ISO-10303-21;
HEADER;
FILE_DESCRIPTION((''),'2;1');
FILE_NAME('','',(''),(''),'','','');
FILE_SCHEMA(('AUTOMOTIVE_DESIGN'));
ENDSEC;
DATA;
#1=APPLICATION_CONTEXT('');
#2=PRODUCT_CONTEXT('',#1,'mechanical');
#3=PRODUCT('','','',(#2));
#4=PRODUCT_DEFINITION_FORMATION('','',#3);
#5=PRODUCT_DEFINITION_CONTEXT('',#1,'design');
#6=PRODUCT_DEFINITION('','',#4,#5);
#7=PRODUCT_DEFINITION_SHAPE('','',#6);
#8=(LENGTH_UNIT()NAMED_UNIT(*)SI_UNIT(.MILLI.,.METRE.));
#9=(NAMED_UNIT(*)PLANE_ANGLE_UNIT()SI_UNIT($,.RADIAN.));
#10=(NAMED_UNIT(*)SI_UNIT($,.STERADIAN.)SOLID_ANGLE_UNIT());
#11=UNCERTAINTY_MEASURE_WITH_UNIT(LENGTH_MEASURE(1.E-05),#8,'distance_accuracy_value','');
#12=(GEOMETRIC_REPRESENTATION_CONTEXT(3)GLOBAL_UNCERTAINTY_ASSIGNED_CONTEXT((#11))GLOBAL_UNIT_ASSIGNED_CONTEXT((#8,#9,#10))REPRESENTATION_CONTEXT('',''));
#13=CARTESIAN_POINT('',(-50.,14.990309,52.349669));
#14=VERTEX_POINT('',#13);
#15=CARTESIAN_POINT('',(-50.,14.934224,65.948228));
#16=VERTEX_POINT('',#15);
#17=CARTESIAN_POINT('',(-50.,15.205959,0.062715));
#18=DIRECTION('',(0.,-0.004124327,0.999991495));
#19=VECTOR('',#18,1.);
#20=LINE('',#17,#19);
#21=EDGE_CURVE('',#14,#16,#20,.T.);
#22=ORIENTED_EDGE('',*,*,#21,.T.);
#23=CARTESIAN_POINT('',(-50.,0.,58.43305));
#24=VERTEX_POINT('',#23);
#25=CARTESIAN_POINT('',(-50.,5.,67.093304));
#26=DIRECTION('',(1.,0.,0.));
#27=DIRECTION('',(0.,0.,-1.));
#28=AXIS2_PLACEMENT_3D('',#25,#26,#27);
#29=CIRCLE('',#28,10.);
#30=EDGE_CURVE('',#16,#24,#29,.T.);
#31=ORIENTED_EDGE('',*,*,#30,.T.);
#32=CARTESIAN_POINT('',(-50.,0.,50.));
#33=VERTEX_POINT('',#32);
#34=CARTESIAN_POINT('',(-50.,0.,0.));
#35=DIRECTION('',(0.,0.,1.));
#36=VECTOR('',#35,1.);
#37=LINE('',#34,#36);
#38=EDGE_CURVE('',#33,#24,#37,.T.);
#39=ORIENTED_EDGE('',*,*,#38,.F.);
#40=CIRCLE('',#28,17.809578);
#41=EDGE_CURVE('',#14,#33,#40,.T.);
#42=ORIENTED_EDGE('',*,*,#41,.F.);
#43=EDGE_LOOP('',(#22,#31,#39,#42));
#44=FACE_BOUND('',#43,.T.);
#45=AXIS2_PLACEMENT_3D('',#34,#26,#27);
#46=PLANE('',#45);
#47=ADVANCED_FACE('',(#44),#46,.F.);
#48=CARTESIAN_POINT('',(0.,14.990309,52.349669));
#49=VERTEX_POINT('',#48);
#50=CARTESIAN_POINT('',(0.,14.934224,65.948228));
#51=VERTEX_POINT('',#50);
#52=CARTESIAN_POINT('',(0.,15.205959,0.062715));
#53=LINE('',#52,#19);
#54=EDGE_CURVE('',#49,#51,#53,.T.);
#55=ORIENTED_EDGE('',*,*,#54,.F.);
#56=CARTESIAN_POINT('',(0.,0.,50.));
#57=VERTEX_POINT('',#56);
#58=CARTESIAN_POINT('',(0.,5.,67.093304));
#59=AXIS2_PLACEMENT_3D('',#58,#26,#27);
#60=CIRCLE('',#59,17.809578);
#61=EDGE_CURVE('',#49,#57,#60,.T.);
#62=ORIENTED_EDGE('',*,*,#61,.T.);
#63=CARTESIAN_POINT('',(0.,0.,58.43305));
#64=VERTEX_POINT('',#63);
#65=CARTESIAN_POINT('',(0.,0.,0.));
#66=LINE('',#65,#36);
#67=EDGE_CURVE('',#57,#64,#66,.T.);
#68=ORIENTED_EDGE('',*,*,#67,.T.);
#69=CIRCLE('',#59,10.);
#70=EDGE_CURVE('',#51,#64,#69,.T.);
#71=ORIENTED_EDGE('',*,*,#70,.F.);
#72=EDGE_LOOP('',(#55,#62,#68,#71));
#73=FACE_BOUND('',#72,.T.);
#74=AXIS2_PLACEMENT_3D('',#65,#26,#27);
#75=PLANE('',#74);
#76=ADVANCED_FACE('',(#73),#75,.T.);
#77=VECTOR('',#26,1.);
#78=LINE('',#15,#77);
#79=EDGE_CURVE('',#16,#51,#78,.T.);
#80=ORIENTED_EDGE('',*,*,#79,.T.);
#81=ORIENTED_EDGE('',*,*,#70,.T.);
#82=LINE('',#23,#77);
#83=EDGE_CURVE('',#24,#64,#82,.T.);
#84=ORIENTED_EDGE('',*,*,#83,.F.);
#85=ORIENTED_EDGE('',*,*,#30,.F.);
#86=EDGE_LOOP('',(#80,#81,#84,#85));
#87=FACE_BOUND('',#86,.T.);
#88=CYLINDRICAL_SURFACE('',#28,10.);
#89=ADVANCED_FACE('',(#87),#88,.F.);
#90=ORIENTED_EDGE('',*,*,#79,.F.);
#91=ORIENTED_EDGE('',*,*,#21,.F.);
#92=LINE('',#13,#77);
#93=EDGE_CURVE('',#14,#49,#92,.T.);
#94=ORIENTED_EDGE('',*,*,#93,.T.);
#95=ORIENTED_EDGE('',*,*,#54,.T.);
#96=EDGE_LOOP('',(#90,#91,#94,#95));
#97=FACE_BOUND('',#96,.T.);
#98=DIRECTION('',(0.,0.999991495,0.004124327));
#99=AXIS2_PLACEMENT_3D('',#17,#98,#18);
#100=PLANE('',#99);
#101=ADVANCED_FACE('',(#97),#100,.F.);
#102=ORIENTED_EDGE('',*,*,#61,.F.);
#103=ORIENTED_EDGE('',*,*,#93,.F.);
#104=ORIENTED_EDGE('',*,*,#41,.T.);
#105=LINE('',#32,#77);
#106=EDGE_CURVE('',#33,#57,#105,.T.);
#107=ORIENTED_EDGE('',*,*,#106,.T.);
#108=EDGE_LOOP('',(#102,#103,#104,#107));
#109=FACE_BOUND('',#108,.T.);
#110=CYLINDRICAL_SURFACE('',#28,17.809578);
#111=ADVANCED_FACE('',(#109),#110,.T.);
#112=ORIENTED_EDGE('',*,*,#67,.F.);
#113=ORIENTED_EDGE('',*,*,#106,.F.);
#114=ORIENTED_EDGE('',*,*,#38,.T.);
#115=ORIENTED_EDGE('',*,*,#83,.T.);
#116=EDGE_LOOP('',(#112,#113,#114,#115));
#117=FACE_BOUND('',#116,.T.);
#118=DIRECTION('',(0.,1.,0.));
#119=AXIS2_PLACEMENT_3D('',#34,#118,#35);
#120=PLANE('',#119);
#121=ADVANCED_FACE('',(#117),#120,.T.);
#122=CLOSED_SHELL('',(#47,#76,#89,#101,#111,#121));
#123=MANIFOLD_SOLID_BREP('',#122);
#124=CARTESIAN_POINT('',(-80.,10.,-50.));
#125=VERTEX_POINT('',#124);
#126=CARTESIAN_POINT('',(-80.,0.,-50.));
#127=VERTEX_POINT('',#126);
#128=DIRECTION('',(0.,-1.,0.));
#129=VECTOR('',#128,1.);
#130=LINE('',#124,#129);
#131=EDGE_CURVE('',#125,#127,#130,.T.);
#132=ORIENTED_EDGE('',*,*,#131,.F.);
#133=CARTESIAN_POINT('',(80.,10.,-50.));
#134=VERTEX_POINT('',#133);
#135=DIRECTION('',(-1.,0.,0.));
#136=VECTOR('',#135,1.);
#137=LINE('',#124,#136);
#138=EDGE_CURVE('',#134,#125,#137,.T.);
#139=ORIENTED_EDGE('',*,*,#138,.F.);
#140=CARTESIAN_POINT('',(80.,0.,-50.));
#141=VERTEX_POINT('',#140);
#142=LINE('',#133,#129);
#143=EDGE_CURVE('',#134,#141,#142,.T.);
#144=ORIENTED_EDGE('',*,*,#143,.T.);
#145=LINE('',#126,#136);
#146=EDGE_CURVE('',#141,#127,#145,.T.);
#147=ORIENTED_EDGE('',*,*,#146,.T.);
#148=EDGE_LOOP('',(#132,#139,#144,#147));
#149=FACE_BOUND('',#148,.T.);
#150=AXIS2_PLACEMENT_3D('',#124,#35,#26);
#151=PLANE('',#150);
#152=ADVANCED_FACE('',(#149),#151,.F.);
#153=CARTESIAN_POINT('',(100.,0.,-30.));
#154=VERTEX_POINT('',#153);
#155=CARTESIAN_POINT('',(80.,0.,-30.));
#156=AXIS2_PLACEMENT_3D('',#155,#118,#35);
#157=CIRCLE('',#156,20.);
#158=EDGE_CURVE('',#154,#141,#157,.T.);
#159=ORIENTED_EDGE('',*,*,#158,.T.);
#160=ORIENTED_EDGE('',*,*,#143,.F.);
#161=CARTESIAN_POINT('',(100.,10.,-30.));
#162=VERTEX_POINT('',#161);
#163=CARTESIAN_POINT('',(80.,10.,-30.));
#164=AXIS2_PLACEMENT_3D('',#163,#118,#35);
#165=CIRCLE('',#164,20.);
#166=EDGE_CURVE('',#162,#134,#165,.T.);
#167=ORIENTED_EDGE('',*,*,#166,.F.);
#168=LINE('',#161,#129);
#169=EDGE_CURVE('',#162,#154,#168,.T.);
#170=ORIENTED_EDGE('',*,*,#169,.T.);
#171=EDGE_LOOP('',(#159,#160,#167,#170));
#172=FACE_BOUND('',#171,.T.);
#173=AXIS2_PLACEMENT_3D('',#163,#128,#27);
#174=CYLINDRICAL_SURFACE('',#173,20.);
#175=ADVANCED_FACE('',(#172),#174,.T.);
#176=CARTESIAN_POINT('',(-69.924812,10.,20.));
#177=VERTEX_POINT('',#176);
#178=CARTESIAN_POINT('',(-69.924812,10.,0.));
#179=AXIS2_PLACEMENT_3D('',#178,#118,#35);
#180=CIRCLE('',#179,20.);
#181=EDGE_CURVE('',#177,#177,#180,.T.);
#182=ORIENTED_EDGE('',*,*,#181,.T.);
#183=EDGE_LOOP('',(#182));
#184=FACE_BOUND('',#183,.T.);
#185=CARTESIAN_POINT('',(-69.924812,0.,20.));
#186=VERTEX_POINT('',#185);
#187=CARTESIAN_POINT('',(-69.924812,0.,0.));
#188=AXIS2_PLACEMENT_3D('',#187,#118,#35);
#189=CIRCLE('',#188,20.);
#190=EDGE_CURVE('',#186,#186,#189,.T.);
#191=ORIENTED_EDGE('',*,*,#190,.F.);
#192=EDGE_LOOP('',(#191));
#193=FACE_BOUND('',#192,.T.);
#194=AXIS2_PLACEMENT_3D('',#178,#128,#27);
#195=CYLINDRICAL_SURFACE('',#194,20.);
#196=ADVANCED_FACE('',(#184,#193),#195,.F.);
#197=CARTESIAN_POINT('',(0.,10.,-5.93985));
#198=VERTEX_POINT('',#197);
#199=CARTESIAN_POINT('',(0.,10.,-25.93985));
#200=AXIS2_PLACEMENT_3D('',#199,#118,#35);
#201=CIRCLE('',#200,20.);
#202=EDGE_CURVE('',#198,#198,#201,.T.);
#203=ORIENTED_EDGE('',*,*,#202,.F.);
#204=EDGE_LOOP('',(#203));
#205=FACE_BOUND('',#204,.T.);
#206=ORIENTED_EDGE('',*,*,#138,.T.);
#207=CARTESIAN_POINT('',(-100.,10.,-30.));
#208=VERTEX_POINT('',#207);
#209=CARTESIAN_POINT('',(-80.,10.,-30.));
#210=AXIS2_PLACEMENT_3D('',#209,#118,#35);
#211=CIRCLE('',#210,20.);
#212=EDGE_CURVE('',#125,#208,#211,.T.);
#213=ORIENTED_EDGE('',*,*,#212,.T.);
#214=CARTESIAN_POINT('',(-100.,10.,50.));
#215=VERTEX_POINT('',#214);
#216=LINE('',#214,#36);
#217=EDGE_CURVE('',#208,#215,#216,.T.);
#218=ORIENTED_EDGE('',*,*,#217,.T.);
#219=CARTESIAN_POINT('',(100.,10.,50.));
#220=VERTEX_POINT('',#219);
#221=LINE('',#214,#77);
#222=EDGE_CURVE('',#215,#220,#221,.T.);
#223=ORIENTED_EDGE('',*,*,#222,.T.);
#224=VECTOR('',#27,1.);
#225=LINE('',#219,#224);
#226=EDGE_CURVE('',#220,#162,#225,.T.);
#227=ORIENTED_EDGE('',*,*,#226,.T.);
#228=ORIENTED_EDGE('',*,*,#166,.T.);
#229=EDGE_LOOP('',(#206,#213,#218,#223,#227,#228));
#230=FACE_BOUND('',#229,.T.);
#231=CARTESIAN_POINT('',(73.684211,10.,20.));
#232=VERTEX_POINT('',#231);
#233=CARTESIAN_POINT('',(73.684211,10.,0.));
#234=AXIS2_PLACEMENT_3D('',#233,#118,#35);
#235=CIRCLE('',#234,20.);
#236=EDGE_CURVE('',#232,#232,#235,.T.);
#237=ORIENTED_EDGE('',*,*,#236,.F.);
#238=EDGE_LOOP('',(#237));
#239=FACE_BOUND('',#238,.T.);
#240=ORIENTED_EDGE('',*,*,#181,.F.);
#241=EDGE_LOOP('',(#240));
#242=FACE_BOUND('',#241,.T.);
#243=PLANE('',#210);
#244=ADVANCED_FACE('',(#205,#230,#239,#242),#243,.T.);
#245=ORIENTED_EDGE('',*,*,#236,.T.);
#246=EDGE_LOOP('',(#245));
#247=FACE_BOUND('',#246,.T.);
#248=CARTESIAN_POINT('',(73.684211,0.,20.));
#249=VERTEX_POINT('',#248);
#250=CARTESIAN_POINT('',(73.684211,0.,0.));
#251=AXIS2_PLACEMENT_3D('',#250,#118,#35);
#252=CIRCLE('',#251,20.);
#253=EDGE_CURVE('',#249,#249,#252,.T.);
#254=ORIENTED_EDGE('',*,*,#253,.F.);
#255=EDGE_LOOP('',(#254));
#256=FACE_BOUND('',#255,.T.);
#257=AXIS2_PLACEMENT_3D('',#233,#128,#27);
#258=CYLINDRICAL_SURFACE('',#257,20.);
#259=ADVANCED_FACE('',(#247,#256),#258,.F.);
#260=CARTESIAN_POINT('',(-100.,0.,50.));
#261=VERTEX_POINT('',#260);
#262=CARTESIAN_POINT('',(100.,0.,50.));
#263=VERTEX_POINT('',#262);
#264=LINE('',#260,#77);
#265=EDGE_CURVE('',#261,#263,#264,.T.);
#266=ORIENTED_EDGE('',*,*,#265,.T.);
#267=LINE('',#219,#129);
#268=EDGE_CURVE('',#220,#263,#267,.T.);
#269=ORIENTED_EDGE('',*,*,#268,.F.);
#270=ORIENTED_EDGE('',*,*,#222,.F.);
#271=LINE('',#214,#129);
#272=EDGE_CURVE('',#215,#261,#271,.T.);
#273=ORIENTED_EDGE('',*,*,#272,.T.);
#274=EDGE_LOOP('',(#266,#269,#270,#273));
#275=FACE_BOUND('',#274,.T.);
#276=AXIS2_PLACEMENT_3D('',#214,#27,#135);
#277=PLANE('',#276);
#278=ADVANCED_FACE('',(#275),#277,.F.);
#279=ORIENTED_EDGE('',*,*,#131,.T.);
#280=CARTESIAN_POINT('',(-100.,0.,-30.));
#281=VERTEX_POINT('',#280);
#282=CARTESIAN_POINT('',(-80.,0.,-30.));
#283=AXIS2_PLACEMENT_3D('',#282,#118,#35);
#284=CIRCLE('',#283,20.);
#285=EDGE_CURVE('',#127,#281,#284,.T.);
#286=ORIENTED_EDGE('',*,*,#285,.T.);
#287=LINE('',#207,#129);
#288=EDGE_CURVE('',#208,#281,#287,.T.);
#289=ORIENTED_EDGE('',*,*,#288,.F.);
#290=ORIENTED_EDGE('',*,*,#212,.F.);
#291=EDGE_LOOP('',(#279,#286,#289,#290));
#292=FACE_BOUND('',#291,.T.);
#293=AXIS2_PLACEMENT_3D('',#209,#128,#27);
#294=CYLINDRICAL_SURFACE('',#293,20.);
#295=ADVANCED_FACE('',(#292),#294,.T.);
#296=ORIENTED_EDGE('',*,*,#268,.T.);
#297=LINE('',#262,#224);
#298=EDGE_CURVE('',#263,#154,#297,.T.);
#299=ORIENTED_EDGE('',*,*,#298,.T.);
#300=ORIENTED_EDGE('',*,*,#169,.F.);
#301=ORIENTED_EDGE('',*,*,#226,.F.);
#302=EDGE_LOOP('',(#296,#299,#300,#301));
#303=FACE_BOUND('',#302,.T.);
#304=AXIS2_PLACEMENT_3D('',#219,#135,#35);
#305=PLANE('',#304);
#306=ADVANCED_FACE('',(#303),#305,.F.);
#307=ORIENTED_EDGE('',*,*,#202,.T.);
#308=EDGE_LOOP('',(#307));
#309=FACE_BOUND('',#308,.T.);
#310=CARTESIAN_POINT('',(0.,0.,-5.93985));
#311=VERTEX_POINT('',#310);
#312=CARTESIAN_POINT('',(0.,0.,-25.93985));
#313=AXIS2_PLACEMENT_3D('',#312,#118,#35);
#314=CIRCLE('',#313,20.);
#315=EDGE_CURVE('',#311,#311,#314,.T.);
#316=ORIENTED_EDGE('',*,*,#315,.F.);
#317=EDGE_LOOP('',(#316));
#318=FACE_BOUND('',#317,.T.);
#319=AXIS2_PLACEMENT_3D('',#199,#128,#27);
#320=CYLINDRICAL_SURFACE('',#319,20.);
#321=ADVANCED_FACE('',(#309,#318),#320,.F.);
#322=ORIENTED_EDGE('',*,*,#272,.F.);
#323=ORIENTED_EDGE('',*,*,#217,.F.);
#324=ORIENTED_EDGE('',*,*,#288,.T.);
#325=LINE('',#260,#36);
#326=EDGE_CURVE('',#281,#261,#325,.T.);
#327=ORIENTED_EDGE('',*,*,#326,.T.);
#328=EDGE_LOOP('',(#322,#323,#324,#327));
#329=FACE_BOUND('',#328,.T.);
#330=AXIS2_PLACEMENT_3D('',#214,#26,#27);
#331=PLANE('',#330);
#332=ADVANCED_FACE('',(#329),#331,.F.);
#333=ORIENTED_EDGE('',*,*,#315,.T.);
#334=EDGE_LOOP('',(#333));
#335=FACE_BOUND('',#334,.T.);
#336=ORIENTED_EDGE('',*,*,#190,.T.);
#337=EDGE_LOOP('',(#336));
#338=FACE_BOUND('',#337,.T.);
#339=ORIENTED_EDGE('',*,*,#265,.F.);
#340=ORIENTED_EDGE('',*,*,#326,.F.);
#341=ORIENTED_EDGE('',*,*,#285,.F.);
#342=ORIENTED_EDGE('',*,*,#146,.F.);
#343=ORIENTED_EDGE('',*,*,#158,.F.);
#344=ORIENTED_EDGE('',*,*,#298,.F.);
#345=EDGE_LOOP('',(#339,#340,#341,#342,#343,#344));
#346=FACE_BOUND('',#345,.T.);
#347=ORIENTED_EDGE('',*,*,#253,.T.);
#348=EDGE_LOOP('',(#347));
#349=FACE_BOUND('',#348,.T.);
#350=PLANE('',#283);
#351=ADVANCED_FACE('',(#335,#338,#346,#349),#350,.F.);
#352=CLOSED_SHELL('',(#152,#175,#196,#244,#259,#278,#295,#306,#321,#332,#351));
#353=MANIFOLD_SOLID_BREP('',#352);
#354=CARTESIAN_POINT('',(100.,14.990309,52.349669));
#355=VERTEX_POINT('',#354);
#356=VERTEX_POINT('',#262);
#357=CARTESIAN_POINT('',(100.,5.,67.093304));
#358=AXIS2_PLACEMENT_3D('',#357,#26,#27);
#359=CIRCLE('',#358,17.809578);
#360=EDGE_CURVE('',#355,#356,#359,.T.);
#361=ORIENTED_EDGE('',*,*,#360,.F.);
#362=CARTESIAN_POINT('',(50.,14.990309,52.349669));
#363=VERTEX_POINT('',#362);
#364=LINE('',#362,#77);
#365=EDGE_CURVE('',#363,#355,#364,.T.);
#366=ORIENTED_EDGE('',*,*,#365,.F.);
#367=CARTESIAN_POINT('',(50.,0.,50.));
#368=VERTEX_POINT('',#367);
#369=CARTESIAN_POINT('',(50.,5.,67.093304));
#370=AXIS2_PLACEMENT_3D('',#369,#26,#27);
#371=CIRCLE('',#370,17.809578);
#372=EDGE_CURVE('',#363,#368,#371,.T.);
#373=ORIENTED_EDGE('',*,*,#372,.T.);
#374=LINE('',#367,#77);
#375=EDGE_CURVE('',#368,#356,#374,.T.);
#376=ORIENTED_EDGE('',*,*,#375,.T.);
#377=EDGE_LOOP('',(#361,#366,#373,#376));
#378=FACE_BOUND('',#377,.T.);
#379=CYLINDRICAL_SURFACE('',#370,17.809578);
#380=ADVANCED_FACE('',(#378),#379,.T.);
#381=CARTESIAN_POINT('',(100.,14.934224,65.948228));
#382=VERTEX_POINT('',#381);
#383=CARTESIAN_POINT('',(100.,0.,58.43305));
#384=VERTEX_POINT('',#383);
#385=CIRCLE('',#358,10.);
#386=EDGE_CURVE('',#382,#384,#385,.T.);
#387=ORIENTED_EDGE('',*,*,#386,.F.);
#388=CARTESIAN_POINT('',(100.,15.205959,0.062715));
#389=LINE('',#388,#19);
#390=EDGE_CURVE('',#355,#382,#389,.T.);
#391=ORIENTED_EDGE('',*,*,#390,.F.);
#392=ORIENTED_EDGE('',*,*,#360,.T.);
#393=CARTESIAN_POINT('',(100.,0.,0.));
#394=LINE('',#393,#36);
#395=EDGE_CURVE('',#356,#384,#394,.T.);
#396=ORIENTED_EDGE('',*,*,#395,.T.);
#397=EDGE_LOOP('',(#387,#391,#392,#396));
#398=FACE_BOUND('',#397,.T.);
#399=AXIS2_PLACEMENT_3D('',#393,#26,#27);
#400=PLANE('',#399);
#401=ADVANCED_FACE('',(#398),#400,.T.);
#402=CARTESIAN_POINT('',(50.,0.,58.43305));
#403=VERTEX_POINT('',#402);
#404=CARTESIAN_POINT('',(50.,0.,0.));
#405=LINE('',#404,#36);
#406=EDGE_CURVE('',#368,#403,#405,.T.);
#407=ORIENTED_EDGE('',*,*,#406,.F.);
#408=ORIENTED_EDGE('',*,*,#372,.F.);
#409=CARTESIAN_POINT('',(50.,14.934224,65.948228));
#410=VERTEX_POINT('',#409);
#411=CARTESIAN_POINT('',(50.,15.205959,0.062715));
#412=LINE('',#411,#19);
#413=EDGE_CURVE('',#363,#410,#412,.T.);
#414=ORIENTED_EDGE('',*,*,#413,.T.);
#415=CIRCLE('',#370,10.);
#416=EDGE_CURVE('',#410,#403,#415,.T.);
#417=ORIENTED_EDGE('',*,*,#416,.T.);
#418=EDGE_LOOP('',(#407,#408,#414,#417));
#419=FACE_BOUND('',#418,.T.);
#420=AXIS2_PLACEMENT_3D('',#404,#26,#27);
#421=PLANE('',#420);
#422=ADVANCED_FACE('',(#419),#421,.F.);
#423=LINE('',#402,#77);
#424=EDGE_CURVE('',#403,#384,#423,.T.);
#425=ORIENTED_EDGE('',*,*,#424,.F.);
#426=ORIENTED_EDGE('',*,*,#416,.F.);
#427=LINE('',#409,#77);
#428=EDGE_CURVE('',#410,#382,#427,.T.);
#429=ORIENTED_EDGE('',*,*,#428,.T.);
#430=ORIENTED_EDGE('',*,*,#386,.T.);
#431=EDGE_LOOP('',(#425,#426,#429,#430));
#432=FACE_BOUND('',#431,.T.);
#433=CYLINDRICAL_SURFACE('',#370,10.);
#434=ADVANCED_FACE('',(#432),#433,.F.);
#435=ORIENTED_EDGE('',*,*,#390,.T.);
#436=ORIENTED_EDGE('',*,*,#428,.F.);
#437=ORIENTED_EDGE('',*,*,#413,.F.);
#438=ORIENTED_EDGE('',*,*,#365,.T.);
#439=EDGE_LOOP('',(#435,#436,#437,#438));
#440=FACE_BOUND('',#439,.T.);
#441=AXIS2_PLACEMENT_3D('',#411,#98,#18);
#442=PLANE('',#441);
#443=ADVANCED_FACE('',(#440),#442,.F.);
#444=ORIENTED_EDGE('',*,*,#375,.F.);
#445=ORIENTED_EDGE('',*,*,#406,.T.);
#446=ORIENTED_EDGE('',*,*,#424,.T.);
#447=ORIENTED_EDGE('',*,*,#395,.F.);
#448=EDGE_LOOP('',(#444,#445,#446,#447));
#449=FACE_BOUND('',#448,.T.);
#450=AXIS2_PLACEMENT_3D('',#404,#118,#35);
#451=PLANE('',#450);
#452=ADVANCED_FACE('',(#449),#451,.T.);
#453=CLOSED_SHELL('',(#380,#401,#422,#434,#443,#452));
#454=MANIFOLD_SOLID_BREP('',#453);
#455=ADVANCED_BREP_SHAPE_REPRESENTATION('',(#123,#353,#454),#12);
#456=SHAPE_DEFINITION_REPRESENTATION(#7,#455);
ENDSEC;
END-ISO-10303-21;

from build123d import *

# Parameters (mm, degrees)
SKETCH2_R           = 20
BOSS_EXTRUDE2_DEPTH = 10
BOSS_EXTRUDE5_DEPTH = 50
LPATTERN1_COUNT     = 2
LPATTERN1_PITCH     = 100


with BuildPart() as part:
    # Sketch2 → Boss-Extrude2 (new body)
    with BuildSketch(Plane(origin=(0, 0, 0), x_dir=(1, 0, 0), z_dir=(0, 1, 0))):
        with BuildLine():
            Line((-100, -50), (100, -50))
            Line((100, -50), (100, 30))
            ThreePointArc((100, 30), (94.142135624, 44.142135624), (80, 50))
            Line((80, 50), (-80, 50))
            ThreePointArc((-80, 50), (-94.142135624, 44.142135624), (-100, 30))
            Line((-100, 30), (-100, -50))
        make_face()
        with Locations(Location((0, 25.939849624, 0), (0, 0, 270))):
            Circle(SKETCH2_R, mode=Mode.SUBTRACT)
        with Locations(Location((73.684210526, 0, 0), (0, 0, 270))):
            Circle(SKETCH2_R, mode=Mode.SUBTRACT)
        with Locations(Location((-69.92481203, 0, 0), (0, 0, 270))):
            Circle(SKETCH2_R, mode=Mode.SUBTRACT)
    extrude(amount=BOSS_EXTRUDE2_DEPTH)


with BuildPart() as body_2:
    # Sketch3 → Boss-Extrude5 (new body)
    with BuildSketch(Plane(origin=(100, 0, 0), x_dir=(0, 0, -1), z_dir=(1, 0, 0))):
        with BuildLine():
            ThreePointArc((-52.349669205, 14.990309114), (-84.688048426, 2.242096338), (-50, 0))
            Line((-50, 0), (-58.433050285, 0))
            ThreePointArc((-58.433050285, 0), (-76.026046531, 0.504878572), (-65.948228442, 14.934223736))
            Line((-65.948228442, 14.934223736), (-52.349669205, 14.990309114))
        make_face()
    boss_extrude5 = extrude(amount=-BOSS_EXTRUDE5_DEPTH)


with BuildPart() as lpattern1_1:
    # LPattern1: Boss-Extrude5 ×2
    with Locations(*[(-i * LPATTERN1_PITCH, 0, 0) for i in range(1, LPATTERN1_COUNT)]):
        add(boss_extrude5)


solid = Compound([part.part, body_2.part, lpattern1_1.part])
